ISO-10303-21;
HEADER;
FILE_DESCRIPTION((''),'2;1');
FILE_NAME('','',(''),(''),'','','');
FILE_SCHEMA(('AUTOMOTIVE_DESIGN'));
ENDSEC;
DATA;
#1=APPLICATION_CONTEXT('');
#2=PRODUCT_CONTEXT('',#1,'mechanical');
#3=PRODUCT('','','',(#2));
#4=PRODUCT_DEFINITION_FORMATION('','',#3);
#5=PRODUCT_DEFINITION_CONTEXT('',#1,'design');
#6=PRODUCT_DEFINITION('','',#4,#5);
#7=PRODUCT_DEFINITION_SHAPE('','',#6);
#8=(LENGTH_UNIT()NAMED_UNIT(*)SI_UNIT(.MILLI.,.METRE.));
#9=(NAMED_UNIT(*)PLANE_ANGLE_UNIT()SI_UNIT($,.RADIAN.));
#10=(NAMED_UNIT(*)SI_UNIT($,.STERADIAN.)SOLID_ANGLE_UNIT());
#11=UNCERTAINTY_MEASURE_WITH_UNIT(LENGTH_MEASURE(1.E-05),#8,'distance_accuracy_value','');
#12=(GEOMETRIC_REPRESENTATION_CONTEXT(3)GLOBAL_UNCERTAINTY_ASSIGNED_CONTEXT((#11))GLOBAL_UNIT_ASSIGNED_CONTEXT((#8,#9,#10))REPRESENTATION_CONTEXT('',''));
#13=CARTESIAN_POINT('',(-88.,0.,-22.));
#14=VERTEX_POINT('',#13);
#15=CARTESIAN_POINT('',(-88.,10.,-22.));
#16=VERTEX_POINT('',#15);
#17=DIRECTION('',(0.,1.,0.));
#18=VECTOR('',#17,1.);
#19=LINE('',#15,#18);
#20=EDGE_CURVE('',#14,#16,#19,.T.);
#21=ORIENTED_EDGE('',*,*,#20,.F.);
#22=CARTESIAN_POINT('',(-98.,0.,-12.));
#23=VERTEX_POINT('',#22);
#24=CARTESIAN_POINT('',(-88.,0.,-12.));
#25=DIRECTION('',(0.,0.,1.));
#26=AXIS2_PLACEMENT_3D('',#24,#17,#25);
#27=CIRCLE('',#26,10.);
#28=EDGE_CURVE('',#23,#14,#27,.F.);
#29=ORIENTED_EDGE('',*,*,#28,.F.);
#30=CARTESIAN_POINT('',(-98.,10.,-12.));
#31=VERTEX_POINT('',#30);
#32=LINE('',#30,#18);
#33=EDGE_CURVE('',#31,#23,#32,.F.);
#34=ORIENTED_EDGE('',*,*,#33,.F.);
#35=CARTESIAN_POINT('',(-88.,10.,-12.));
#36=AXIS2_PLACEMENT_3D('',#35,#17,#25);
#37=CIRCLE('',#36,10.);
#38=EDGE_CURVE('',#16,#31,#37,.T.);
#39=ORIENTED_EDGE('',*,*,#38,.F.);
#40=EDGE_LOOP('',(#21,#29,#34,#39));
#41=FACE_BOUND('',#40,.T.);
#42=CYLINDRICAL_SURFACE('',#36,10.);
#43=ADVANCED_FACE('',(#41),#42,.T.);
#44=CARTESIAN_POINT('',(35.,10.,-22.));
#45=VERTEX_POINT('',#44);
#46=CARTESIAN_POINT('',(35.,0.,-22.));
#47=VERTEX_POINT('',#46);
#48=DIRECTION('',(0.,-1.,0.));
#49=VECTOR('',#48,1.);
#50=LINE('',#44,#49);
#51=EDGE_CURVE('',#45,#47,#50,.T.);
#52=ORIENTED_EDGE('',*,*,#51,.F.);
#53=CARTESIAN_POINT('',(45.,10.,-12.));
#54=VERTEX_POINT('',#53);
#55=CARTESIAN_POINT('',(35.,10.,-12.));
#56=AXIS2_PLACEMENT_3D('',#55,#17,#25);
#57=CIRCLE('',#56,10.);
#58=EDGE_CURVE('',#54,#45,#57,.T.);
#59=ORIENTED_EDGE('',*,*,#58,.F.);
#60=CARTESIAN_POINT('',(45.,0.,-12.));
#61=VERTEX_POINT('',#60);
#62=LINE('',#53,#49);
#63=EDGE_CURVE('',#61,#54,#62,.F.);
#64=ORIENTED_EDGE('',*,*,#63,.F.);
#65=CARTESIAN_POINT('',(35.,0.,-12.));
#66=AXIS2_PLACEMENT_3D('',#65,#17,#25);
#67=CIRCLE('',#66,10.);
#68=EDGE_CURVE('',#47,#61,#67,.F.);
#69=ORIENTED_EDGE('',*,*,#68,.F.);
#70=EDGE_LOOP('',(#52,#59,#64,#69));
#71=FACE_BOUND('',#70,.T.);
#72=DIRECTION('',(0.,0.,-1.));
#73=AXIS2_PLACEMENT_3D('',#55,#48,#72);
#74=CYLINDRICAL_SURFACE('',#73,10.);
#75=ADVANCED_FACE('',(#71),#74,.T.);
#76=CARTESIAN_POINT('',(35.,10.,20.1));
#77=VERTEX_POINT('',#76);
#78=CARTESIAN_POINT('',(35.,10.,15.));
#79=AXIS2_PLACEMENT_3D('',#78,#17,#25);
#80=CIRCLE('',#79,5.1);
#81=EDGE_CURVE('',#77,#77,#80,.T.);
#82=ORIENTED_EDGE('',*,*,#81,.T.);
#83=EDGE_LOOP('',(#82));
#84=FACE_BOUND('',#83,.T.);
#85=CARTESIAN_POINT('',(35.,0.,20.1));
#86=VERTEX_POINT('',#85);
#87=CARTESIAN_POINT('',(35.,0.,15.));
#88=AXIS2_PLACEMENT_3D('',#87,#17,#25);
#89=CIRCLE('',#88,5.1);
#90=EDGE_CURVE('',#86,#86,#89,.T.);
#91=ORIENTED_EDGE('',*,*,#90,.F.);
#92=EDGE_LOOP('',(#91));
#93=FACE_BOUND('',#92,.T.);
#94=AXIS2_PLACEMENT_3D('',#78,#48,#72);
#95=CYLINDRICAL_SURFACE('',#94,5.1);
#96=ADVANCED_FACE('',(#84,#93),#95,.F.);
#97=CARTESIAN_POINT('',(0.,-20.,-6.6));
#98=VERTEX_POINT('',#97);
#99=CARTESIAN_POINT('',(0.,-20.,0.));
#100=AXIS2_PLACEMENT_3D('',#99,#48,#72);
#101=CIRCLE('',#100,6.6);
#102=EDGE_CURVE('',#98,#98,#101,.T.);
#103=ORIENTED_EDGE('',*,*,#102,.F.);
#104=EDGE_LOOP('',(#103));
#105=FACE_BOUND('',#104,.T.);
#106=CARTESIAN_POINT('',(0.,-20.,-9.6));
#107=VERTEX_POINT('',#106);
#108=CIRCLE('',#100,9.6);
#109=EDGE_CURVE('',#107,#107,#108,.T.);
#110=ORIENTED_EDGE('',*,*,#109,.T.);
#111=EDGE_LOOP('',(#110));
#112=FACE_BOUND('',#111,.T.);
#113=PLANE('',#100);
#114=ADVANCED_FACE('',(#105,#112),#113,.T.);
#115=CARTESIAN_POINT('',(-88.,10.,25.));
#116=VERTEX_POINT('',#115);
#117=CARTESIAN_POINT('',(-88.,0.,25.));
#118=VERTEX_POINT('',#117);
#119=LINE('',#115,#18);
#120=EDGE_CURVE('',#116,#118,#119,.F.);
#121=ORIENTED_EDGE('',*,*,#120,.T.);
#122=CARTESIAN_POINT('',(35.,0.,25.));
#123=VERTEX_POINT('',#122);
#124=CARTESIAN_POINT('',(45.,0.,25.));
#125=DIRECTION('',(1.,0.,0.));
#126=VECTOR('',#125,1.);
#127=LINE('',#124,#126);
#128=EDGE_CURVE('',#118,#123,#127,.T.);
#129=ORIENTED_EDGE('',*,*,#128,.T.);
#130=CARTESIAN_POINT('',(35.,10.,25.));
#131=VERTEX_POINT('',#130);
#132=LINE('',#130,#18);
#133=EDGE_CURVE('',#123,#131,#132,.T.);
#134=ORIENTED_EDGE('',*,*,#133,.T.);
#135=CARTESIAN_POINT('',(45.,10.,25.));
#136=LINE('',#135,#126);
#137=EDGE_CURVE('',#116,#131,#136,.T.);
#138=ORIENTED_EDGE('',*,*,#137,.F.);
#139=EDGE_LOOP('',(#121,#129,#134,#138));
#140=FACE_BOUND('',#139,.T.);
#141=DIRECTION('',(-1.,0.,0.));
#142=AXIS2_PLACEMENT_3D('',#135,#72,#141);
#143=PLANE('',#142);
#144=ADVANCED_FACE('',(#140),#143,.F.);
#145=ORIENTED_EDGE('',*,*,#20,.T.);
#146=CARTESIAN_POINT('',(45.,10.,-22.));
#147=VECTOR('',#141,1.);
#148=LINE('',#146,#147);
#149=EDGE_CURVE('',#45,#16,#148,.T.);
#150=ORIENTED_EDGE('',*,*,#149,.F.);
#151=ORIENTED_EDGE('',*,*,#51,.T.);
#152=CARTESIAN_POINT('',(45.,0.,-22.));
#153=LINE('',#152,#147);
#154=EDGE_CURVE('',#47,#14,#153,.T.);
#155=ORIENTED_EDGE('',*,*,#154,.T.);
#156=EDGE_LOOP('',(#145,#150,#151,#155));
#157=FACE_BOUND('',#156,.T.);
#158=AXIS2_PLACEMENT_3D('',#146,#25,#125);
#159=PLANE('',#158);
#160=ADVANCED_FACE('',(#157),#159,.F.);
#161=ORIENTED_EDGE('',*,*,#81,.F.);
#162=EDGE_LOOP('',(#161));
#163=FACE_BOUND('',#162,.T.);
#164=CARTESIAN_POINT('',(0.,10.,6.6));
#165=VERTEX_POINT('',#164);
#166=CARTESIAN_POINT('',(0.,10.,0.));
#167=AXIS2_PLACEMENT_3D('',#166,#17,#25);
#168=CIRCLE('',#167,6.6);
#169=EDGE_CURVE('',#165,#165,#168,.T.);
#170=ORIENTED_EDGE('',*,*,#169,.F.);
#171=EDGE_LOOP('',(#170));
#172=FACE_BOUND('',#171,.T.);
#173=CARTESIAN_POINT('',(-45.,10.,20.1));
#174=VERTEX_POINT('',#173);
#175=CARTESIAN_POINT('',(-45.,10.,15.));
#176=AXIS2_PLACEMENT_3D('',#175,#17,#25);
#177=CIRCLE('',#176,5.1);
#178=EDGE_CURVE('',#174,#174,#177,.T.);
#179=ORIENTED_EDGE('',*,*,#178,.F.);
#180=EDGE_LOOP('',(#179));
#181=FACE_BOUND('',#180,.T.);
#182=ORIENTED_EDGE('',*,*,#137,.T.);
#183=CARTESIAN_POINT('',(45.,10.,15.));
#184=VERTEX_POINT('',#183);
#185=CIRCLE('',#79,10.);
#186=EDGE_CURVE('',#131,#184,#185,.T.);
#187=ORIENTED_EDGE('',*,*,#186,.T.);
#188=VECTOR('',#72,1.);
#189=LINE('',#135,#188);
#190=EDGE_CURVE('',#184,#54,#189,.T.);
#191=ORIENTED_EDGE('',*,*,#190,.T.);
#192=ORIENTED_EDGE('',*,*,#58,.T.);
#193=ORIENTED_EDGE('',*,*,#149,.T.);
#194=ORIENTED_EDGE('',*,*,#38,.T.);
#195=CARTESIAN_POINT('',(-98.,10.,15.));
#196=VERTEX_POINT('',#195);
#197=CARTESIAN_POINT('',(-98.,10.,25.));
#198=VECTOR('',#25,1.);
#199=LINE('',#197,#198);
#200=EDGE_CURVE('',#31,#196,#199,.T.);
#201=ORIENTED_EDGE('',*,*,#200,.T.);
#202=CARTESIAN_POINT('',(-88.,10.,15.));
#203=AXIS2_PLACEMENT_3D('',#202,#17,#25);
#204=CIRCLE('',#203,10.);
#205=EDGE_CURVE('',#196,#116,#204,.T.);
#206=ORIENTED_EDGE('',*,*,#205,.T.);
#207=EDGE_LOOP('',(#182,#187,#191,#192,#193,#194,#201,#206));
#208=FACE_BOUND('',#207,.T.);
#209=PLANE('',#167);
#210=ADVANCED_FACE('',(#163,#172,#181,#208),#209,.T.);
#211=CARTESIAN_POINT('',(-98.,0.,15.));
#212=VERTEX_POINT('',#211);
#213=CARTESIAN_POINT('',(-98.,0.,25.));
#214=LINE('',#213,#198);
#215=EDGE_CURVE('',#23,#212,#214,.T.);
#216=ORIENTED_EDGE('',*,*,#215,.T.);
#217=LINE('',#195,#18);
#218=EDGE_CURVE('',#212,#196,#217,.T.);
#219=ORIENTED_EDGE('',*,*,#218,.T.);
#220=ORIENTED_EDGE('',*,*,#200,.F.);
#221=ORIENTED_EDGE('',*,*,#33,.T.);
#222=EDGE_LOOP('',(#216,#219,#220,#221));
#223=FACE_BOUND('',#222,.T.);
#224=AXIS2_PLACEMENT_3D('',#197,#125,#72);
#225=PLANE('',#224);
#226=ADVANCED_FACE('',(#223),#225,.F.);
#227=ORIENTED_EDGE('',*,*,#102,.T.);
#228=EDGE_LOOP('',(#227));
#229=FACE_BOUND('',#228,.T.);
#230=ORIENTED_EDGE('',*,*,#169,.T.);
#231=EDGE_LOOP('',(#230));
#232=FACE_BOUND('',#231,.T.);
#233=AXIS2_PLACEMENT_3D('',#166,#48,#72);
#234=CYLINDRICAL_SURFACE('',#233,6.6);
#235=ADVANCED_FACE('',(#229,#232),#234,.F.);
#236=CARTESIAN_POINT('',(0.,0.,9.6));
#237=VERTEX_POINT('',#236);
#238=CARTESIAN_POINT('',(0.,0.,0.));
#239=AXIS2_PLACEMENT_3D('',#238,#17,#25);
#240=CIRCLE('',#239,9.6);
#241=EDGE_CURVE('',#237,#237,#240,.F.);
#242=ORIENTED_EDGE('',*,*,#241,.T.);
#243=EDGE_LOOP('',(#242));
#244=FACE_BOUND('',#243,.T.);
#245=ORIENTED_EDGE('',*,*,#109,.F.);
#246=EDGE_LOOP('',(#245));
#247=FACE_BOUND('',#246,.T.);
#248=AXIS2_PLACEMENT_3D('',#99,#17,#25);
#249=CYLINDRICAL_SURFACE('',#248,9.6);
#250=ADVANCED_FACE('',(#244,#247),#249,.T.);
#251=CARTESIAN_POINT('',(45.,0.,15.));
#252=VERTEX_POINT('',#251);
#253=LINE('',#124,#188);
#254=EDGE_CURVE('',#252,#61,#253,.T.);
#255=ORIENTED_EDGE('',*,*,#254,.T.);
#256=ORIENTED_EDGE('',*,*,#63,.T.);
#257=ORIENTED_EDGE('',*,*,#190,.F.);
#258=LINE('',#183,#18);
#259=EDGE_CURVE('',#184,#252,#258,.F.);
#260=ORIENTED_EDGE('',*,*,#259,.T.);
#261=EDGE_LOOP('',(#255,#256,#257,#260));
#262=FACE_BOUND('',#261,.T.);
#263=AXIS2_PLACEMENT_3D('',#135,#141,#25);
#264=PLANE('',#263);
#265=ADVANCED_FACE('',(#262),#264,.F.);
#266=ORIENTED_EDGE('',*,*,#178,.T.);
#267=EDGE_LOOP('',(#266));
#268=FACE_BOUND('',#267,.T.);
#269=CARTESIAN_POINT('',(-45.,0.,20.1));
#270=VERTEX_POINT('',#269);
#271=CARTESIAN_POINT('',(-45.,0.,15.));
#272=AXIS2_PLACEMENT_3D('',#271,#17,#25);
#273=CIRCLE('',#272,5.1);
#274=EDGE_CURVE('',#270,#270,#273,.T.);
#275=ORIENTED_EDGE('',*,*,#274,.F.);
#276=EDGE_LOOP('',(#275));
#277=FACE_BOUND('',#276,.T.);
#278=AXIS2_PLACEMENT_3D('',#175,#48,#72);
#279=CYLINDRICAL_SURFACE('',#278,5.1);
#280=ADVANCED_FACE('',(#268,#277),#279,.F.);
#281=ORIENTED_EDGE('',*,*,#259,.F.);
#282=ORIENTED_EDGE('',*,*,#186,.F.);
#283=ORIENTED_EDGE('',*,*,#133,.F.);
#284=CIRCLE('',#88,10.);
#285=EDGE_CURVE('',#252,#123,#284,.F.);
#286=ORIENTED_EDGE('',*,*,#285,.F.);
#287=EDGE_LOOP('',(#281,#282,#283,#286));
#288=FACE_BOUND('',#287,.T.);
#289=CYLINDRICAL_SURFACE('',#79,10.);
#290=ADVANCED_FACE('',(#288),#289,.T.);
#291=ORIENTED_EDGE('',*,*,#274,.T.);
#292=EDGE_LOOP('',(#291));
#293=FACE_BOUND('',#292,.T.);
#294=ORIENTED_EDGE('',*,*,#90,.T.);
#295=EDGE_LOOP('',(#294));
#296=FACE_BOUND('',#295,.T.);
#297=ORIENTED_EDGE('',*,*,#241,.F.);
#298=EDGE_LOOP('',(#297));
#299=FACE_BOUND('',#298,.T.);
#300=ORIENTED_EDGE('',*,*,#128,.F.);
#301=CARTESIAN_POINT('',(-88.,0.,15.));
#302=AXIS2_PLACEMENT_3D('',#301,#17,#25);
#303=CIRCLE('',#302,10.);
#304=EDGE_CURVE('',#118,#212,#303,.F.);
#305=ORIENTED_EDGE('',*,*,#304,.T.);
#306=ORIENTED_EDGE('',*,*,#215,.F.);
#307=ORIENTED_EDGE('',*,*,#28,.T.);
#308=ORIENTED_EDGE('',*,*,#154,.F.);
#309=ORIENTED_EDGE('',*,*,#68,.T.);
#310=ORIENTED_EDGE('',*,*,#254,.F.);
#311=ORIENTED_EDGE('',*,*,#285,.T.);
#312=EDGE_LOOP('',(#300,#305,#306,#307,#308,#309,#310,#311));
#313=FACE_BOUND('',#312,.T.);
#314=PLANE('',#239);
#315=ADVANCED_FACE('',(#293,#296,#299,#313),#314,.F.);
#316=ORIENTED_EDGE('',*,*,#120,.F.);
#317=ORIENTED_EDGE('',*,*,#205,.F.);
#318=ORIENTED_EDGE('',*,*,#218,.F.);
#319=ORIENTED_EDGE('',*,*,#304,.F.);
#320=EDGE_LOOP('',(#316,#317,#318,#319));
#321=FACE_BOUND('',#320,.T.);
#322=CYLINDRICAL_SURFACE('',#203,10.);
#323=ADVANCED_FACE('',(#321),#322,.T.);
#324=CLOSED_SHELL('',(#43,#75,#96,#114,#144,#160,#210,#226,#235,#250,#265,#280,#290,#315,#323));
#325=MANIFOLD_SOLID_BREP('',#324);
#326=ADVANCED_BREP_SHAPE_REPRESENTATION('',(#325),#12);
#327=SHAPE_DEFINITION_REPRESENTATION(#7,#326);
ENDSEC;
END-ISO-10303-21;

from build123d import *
from build123d.topology import SkipClean

# Parameters (mm, degrees)
SKETCH1_W           = 143
SKETCH1_H           = 47
SKETCH1_R           = 6.6
SKETCH1_R_2         = 5.1
BOSS_EXTRUDE1_DEPTH = 10
FILLET1_R           = 10
FILLET2_R           = 10
FILLET3_R           = 10
FILLET4_R           = 10
BOSS_EXTRUDE2_START = 20
SKETCH2_R           = 9.6
SKETCH2_R_2         = 6.6
BOSS_EXTRUDE2_DEPTH = 20


with BuildPart() as part:
    # Sketch1 → Boss-Extrude1 (new body)
    with BuildSketch(Plane(origin=(0, 0, 0), x_dir=(1, 0, 0), z_dir=(0, 1, 0))):
        with Locations((-26.5, -1.5)):
            Rectangle(SKETCH1_W, SKETCH1_H)
        with Locations(Location((0, 0, 0), (0, 0, 270))):
            Circle(SKETCH1_R, mode=Mode.SUBTRACT)
        with Locations(Location((-45, -15, 0), (0, 0, 270))):
            Circle(SKETCH1_R_2, mode=Mode.SUBTRACT)
        with Locations(Location((35, -15, 0), (0, 0, 270))):
            Circle(SKETCH1_R_2, mode=Mode.SUBTRACT)
    extrude(amount=BOSS_EXTRUDE1_DEPTH)

    # Fillet1
    fillet1_edges = [part.edges().sort_by_distance(p)[0] for p in [
        (-98, 5, -22),
    ]]
    fillet(fillet1_edges, radius=FILLET1_R)

    # Fillet2
    fillet2_edges = [part.edges().sort_by_distance(p)[0] for p in [
        (-98, 5, 25),
    ]]
    fillet(fillet2_edges, radius=FILLET2_R)

    # Fillet3
    fillet3_edges = [part.edges().sort_by_distance(p)[0] for p in [
        (45, 5, 25),
    ]]
    fillet(fillet3_edges, radius=FILLET3_R)

    # Fillet4
    fillet4_edges = [part.edges().sort_by_distance(p)[0] for p in [
        (45, 5, -22),
    ]]
    fillet(fillet4_edges, radius=FILLET4_R)

    # Sketch2 → Boss-Extrude2 (add)
    with SkipClean():  # the faces are left unmerged after this step: merging them gives an invalid solid
        with BuildSketch(Plane.XZ.offset(BOSS_EXTRUDE2_START)):
            with Locations(Location((0, 0, 0), (0, 0, 90))):
                Circle(SKETCH2_R)
            with Locations(Location((0, 0, 0), (0, 0, 270))):
                Circle(SKETCH2_R_2, mode=Mode.SUBTRACT)
        extrude(amount=-BOSS_EXTRUDE2_DEPTH)


solid = part.part
